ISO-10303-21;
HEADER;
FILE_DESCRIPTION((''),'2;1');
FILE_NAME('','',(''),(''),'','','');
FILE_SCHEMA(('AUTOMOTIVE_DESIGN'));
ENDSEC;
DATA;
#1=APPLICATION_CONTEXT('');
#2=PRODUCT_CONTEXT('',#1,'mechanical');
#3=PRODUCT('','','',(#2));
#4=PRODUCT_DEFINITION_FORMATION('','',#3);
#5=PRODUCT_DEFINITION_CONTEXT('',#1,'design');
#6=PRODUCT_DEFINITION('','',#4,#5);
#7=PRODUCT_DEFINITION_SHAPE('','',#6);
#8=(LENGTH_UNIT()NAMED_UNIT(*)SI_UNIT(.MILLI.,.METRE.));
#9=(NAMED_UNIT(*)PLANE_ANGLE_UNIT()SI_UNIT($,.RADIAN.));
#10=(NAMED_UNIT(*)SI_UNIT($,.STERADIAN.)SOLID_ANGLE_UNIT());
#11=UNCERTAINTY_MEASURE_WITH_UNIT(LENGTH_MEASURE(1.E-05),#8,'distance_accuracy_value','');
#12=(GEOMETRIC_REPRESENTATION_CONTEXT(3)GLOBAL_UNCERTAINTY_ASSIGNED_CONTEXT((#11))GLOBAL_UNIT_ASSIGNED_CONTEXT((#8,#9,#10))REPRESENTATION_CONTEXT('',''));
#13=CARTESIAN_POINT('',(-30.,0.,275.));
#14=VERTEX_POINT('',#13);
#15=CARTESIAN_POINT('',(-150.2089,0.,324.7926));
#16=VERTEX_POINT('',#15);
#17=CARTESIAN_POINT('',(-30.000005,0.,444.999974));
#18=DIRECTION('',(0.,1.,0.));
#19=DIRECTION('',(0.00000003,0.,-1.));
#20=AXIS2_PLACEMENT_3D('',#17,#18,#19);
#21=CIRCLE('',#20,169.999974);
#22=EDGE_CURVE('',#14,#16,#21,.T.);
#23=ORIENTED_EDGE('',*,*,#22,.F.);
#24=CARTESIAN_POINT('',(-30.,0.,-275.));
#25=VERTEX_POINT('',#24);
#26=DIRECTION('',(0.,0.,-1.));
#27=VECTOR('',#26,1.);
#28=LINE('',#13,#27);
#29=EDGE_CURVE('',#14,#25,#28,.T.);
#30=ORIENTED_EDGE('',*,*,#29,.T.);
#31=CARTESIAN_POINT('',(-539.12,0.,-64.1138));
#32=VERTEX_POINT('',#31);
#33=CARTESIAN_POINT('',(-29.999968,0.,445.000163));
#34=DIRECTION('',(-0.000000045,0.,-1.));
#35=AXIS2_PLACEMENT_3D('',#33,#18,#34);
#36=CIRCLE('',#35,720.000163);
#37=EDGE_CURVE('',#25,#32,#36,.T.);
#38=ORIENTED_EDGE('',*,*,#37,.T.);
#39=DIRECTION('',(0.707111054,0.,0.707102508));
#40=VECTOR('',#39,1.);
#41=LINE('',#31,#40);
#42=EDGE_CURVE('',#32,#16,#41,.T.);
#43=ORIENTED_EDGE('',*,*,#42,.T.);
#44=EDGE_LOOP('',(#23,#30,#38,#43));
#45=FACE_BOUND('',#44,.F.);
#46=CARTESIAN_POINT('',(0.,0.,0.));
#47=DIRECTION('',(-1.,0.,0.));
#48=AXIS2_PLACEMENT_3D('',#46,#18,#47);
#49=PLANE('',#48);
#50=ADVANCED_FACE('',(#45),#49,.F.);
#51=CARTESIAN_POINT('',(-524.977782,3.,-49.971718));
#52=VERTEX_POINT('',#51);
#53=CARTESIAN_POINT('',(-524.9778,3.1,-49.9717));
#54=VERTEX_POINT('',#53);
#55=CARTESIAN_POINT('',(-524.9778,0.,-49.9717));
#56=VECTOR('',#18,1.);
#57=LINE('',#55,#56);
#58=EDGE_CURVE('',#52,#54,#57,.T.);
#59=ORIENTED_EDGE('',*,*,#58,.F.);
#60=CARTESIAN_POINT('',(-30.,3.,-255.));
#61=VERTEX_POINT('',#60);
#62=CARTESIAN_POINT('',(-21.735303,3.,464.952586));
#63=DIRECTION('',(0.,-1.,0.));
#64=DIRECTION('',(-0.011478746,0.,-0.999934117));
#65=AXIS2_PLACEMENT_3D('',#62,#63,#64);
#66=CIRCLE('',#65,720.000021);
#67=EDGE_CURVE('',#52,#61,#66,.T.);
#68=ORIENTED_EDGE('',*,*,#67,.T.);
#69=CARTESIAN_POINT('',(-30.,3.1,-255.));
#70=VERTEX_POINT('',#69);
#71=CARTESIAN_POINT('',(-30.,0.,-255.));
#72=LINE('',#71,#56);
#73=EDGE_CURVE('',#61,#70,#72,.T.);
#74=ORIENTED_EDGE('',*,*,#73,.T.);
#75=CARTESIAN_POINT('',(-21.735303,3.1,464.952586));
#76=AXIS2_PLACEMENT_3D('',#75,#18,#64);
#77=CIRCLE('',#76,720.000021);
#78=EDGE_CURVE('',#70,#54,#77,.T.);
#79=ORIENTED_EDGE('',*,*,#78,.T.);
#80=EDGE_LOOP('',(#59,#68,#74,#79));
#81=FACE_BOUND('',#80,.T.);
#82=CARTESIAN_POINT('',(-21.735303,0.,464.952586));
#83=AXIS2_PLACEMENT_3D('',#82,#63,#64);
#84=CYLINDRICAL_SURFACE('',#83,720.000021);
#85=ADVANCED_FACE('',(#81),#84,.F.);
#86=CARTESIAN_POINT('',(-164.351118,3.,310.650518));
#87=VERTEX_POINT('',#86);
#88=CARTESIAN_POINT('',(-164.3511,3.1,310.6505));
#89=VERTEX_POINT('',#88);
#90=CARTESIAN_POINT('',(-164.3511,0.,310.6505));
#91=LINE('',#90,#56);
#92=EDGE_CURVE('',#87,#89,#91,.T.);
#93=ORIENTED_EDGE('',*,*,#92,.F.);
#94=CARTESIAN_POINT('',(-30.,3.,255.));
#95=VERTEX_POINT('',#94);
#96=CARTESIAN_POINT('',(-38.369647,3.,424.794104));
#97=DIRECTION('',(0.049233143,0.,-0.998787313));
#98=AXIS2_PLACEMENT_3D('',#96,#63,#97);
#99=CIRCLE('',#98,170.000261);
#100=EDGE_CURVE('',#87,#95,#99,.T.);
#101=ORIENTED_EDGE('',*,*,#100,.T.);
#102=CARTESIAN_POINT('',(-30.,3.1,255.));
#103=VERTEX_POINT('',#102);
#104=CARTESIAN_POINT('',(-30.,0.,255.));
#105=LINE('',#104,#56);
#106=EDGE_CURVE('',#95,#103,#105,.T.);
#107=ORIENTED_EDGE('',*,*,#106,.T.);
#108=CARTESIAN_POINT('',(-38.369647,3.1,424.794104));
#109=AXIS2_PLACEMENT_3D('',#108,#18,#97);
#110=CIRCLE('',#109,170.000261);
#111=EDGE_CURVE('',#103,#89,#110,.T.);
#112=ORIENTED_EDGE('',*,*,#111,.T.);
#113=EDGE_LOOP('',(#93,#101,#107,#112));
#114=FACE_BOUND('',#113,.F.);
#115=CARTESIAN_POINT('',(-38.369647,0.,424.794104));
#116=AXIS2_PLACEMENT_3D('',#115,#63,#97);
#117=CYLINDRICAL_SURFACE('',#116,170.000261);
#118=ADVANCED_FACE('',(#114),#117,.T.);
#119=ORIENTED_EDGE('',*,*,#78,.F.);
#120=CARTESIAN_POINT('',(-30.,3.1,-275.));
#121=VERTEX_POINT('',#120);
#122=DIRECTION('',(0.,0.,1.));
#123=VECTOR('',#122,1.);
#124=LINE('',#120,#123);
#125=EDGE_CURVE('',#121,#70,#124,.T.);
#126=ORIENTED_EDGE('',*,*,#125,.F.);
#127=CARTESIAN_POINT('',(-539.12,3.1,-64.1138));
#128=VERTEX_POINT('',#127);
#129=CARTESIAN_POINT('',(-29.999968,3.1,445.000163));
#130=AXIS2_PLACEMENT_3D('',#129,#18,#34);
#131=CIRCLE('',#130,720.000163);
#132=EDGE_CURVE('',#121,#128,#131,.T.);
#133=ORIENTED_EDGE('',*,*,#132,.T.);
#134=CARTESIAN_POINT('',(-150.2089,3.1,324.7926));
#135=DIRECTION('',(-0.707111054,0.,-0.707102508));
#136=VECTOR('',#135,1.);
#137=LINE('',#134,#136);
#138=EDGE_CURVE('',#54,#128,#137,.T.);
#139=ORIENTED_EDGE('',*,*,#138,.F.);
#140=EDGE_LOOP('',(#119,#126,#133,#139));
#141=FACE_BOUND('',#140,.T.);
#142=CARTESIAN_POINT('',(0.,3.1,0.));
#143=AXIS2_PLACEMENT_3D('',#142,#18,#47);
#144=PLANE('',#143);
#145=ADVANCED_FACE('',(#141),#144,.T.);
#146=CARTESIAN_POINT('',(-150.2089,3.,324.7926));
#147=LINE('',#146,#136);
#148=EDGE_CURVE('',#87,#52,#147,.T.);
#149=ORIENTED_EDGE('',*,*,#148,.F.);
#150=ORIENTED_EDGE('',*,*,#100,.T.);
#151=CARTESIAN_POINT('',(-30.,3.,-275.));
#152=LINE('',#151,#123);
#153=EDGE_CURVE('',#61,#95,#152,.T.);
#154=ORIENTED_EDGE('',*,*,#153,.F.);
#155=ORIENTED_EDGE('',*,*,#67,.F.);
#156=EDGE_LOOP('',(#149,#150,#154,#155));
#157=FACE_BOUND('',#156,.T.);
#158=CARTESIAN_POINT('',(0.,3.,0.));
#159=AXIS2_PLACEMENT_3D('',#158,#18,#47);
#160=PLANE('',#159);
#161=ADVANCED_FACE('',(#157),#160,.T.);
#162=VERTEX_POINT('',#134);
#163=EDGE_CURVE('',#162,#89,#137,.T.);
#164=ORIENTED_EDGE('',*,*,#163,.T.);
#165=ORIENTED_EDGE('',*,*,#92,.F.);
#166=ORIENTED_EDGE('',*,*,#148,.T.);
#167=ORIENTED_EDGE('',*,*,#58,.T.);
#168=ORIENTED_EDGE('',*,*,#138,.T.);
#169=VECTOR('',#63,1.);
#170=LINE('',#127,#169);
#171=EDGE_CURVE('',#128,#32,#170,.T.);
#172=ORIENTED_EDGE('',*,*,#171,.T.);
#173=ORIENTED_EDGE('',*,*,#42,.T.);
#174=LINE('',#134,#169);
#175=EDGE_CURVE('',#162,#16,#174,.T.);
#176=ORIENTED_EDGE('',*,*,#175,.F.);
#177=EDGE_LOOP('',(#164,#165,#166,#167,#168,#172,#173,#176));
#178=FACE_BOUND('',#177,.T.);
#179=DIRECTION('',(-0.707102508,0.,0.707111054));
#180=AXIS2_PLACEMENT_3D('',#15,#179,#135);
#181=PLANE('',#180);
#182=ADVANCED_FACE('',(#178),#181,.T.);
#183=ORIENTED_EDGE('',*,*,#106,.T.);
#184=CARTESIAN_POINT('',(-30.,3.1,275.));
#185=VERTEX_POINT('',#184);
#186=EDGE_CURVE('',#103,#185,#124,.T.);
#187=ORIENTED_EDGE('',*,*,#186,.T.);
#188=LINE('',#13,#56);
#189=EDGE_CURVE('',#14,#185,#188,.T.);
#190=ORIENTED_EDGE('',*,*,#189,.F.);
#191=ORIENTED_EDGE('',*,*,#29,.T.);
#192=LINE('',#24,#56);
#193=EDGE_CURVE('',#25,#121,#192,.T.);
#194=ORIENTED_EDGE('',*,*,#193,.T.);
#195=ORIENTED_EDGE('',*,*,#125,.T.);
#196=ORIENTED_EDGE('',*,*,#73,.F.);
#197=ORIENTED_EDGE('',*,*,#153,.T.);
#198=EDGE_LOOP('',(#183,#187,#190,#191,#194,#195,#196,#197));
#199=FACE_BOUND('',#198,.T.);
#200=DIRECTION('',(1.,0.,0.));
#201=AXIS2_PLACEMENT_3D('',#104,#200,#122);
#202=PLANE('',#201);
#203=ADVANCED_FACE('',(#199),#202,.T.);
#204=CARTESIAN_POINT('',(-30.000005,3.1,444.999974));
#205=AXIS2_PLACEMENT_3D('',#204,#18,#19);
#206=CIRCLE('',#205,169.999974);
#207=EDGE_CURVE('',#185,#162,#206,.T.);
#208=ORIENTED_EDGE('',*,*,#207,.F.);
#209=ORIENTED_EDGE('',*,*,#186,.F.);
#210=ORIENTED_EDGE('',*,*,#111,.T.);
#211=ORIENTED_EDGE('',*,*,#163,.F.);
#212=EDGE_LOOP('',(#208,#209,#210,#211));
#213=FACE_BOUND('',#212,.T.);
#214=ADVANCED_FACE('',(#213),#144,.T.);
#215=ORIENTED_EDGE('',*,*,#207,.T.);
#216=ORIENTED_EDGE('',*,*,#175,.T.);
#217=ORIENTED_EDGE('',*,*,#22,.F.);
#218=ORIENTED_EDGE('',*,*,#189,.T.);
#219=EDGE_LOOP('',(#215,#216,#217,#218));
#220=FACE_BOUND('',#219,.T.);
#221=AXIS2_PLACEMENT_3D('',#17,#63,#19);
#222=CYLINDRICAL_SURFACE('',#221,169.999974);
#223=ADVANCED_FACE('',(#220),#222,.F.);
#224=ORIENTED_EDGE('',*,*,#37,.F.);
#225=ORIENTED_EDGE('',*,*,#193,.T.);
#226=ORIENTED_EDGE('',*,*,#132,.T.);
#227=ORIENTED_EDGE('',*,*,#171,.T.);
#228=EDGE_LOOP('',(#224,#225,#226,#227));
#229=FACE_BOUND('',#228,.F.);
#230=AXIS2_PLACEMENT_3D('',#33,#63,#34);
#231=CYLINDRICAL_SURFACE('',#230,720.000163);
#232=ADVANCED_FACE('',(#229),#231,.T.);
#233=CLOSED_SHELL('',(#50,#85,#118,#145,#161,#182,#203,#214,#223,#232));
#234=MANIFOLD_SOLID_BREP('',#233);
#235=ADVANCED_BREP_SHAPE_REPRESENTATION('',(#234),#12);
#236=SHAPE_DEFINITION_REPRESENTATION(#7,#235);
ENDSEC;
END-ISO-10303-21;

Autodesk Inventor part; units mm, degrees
ref_plane "YZ Plane" through (0, 0, 0) normal (1, 0, 0) x (0, 1, 0)
ref_plane "XZ Plane" through (0, 0, 0) normal (0, 1, 0) x (-1, 0, 0)
ref_plane "XY Plane" through (0, 0, 0) normal (0, 0, 1) x (1, 0, 0)
sketch "Sketch1" plane through (0, 0, 0) normal (0, 1, 0) x (-1, 0, 0)
  line L0 (30, 275) -> (0, 275)
  line L1 (0, 275) -> (0, -275)
  line L2 (0, -275) -> (30, -275)
  line L3 (30, -275) -> (30, 275)
  arc A0 (30, -275) -> (539.12, -64.1138) centre (30, 445) ccw
  arc A1 (30, 275) -> (150.2089, 324.7926) centre (30, 445) ccw
  line L4 (150.2089, 324.7926) -> (539.12, -64.1138)
  line L5 (0, 255) -> (30, 255)
  line L6 (0, -255) -> (30, -255)
  arc A2 (30, 255) -> (164.3511, 310.6505) centre (38.3697, 424.7938) ccw
  arc A3 (30, -255) -> (524.9778, -49.9717) centre (21.7353, 464.9526) ccw
  point P0 (0, 0)
  point P1 (0, 0)
  point P2 (344.6644, 130.3394)
  dimension "d0" = 30
  dimension "d1" = 550
  dimension "d2" = 720
  dimension "d3" = 170
  dimension "d4" = 550
  dimension "d5" = 539.12
  dimension "d10" = 20
  dimension "d11" = 20
  dimension "d12" = 20
  dimension "d13" = 20
  dimension "d16" = 130.3394
  dimension "d17" = 344.6644
  dimension "d19" = 170
  dimension "d20" = 720
extrude "Extrusion1" add sketch "Sketch1" along normal blind 3 contours A1 L4 A2 L3 | A2 L4 A3 L3 | A3 L4 A0 L3
extrude "Extrusion2" add sketch "Sketch1" along normal blind 3.1 contours A1 L4 A2 L3 | A3 L4 A0 L3
equation "\"d1\" = d4"
equation "\"d4\" = track_width"
equation "\"d10\" = curb_width"
equation "\"d11\" = curb_width"
equation "\"d12\" = curb_width"
equation "\"d13\" = curb_width"
equation "\"d19\" = d3"
equation "\"d20\" = d2"
equation "\"d6\" = track_height"
equation "\"d14\" = track_height + curb_height"
equation "\"track_width\" = 550"
equation "\"curb_width\" = 20"
equation "\"track_height\" = 3"
equation "\"curb_height\" = 0.1"
properties part number "curve_left"
